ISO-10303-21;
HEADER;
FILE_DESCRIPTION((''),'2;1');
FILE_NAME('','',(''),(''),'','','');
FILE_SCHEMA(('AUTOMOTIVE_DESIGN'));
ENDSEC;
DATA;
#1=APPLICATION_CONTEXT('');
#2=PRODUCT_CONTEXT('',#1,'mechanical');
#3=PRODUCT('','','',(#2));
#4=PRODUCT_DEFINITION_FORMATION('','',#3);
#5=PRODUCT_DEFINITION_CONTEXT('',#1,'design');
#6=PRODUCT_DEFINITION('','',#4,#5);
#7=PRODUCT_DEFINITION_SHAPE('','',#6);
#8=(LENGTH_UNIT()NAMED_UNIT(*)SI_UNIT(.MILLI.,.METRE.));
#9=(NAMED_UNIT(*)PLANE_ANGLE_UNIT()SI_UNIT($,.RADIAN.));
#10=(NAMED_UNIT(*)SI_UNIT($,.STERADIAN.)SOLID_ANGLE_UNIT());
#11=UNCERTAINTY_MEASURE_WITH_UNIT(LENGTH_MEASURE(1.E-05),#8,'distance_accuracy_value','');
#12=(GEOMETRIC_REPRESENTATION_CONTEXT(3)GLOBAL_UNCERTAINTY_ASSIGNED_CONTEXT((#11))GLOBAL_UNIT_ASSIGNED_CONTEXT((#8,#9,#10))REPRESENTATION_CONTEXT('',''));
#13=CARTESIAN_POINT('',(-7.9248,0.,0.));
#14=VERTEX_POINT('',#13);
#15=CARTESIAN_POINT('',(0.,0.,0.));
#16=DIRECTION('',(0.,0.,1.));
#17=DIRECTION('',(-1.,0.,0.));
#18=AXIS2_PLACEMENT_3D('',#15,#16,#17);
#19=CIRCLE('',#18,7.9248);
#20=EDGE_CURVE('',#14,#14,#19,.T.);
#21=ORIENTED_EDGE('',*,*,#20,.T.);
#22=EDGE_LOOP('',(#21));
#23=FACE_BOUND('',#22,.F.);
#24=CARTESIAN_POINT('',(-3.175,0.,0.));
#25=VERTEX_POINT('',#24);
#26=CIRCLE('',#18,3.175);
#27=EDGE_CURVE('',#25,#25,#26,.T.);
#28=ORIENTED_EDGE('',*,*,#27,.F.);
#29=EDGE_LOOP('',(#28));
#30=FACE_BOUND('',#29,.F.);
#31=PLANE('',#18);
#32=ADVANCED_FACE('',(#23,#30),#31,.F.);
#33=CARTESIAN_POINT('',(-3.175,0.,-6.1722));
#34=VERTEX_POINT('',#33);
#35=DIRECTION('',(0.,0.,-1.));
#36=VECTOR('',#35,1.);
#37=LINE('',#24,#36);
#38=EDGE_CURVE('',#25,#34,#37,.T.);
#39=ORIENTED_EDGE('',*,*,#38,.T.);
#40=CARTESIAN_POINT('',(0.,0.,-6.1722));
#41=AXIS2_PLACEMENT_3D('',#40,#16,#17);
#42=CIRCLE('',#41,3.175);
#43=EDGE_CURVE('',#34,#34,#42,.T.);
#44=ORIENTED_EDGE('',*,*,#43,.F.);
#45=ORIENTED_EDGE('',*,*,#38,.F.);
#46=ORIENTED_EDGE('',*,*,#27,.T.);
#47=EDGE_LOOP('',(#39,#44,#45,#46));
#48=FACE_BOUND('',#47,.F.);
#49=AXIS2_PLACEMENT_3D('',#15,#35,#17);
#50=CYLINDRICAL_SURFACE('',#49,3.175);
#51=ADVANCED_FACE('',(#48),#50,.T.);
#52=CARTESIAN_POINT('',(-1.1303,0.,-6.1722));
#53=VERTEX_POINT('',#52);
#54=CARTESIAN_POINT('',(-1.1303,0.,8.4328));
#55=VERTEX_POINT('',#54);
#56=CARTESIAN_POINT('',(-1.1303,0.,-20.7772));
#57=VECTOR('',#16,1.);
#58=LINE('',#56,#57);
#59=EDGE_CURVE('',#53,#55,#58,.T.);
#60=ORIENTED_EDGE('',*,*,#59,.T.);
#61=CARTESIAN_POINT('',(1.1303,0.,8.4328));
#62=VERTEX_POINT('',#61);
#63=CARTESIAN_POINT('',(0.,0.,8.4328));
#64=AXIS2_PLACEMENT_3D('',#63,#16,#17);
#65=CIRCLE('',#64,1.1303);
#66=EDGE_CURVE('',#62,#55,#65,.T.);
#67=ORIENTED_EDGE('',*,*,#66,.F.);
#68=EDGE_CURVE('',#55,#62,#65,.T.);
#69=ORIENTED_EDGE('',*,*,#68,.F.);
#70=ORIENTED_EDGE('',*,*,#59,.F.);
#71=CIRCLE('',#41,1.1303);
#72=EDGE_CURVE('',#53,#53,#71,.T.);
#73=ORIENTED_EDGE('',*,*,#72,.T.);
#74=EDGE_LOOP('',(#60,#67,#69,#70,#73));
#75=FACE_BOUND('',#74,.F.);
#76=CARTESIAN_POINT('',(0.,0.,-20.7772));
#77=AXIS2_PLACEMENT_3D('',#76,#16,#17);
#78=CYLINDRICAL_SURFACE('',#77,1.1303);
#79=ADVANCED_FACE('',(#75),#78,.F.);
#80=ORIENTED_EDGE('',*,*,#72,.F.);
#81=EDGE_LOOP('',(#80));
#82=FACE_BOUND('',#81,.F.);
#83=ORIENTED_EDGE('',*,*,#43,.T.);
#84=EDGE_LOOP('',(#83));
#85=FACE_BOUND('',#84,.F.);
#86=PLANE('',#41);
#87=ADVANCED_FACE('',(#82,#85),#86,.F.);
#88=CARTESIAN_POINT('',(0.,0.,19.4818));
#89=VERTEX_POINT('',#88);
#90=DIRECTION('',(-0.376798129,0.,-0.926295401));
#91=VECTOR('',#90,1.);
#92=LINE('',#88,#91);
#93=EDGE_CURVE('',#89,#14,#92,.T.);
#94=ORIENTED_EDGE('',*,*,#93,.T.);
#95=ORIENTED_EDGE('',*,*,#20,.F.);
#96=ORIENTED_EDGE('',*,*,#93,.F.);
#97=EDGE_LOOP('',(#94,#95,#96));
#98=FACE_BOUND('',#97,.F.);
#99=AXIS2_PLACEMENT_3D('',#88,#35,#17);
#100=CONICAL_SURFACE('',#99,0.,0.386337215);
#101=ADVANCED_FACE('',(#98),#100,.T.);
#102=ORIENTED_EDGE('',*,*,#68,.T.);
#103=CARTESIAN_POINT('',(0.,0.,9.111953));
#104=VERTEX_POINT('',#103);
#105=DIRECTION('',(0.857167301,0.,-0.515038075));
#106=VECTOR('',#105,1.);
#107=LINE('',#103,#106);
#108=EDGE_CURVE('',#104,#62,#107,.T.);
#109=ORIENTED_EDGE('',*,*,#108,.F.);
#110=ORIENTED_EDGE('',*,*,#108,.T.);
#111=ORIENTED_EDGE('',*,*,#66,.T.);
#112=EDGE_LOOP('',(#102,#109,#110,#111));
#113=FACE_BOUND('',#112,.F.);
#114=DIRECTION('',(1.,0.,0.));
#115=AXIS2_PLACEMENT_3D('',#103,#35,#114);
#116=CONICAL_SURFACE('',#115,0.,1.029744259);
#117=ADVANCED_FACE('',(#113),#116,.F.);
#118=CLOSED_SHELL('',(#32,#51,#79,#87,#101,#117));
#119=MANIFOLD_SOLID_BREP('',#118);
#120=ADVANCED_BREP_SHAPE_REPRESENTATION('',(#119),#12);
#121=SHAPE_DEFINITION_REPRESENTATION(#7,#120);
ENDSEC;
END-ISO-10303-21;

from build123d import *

# Parameters (mm, degrees)
F3_D     = 2.2606
F3_DEPTH = 14.605
F3_TIP   = 0.6791527577


with BuildPart() as f1:
    # F0 (on Front) → F1 (revolve)
    with BuildSketch(Plane.XZ):
        Polygon((0, 0), (0, 19.4818), (-7.9248, 0), (-3.175, 0), (-3.175, -6.1722), (0, -6.1722), align=None)
    revolve(axis=Axis((0, 0, 9.7409), (0, 0, 1)))

    # F3
    with Locations(Plane(origin=(0, 0, -6.1722), x_dir=(1, 0, 0), z_dir=(0, 0, -1))):
        with Locations((0, 0)):
            Hole(F3_D / 2, depth=F3_DEPTH)
            with Locations((0, 0, -(F3_DEPTH + F3_TIP / 2))):  # 118° drill point
                Cone(0, F3_D / 2, F3_TIP, mode=Mode.SUBTRACT)


solid = f1.part
